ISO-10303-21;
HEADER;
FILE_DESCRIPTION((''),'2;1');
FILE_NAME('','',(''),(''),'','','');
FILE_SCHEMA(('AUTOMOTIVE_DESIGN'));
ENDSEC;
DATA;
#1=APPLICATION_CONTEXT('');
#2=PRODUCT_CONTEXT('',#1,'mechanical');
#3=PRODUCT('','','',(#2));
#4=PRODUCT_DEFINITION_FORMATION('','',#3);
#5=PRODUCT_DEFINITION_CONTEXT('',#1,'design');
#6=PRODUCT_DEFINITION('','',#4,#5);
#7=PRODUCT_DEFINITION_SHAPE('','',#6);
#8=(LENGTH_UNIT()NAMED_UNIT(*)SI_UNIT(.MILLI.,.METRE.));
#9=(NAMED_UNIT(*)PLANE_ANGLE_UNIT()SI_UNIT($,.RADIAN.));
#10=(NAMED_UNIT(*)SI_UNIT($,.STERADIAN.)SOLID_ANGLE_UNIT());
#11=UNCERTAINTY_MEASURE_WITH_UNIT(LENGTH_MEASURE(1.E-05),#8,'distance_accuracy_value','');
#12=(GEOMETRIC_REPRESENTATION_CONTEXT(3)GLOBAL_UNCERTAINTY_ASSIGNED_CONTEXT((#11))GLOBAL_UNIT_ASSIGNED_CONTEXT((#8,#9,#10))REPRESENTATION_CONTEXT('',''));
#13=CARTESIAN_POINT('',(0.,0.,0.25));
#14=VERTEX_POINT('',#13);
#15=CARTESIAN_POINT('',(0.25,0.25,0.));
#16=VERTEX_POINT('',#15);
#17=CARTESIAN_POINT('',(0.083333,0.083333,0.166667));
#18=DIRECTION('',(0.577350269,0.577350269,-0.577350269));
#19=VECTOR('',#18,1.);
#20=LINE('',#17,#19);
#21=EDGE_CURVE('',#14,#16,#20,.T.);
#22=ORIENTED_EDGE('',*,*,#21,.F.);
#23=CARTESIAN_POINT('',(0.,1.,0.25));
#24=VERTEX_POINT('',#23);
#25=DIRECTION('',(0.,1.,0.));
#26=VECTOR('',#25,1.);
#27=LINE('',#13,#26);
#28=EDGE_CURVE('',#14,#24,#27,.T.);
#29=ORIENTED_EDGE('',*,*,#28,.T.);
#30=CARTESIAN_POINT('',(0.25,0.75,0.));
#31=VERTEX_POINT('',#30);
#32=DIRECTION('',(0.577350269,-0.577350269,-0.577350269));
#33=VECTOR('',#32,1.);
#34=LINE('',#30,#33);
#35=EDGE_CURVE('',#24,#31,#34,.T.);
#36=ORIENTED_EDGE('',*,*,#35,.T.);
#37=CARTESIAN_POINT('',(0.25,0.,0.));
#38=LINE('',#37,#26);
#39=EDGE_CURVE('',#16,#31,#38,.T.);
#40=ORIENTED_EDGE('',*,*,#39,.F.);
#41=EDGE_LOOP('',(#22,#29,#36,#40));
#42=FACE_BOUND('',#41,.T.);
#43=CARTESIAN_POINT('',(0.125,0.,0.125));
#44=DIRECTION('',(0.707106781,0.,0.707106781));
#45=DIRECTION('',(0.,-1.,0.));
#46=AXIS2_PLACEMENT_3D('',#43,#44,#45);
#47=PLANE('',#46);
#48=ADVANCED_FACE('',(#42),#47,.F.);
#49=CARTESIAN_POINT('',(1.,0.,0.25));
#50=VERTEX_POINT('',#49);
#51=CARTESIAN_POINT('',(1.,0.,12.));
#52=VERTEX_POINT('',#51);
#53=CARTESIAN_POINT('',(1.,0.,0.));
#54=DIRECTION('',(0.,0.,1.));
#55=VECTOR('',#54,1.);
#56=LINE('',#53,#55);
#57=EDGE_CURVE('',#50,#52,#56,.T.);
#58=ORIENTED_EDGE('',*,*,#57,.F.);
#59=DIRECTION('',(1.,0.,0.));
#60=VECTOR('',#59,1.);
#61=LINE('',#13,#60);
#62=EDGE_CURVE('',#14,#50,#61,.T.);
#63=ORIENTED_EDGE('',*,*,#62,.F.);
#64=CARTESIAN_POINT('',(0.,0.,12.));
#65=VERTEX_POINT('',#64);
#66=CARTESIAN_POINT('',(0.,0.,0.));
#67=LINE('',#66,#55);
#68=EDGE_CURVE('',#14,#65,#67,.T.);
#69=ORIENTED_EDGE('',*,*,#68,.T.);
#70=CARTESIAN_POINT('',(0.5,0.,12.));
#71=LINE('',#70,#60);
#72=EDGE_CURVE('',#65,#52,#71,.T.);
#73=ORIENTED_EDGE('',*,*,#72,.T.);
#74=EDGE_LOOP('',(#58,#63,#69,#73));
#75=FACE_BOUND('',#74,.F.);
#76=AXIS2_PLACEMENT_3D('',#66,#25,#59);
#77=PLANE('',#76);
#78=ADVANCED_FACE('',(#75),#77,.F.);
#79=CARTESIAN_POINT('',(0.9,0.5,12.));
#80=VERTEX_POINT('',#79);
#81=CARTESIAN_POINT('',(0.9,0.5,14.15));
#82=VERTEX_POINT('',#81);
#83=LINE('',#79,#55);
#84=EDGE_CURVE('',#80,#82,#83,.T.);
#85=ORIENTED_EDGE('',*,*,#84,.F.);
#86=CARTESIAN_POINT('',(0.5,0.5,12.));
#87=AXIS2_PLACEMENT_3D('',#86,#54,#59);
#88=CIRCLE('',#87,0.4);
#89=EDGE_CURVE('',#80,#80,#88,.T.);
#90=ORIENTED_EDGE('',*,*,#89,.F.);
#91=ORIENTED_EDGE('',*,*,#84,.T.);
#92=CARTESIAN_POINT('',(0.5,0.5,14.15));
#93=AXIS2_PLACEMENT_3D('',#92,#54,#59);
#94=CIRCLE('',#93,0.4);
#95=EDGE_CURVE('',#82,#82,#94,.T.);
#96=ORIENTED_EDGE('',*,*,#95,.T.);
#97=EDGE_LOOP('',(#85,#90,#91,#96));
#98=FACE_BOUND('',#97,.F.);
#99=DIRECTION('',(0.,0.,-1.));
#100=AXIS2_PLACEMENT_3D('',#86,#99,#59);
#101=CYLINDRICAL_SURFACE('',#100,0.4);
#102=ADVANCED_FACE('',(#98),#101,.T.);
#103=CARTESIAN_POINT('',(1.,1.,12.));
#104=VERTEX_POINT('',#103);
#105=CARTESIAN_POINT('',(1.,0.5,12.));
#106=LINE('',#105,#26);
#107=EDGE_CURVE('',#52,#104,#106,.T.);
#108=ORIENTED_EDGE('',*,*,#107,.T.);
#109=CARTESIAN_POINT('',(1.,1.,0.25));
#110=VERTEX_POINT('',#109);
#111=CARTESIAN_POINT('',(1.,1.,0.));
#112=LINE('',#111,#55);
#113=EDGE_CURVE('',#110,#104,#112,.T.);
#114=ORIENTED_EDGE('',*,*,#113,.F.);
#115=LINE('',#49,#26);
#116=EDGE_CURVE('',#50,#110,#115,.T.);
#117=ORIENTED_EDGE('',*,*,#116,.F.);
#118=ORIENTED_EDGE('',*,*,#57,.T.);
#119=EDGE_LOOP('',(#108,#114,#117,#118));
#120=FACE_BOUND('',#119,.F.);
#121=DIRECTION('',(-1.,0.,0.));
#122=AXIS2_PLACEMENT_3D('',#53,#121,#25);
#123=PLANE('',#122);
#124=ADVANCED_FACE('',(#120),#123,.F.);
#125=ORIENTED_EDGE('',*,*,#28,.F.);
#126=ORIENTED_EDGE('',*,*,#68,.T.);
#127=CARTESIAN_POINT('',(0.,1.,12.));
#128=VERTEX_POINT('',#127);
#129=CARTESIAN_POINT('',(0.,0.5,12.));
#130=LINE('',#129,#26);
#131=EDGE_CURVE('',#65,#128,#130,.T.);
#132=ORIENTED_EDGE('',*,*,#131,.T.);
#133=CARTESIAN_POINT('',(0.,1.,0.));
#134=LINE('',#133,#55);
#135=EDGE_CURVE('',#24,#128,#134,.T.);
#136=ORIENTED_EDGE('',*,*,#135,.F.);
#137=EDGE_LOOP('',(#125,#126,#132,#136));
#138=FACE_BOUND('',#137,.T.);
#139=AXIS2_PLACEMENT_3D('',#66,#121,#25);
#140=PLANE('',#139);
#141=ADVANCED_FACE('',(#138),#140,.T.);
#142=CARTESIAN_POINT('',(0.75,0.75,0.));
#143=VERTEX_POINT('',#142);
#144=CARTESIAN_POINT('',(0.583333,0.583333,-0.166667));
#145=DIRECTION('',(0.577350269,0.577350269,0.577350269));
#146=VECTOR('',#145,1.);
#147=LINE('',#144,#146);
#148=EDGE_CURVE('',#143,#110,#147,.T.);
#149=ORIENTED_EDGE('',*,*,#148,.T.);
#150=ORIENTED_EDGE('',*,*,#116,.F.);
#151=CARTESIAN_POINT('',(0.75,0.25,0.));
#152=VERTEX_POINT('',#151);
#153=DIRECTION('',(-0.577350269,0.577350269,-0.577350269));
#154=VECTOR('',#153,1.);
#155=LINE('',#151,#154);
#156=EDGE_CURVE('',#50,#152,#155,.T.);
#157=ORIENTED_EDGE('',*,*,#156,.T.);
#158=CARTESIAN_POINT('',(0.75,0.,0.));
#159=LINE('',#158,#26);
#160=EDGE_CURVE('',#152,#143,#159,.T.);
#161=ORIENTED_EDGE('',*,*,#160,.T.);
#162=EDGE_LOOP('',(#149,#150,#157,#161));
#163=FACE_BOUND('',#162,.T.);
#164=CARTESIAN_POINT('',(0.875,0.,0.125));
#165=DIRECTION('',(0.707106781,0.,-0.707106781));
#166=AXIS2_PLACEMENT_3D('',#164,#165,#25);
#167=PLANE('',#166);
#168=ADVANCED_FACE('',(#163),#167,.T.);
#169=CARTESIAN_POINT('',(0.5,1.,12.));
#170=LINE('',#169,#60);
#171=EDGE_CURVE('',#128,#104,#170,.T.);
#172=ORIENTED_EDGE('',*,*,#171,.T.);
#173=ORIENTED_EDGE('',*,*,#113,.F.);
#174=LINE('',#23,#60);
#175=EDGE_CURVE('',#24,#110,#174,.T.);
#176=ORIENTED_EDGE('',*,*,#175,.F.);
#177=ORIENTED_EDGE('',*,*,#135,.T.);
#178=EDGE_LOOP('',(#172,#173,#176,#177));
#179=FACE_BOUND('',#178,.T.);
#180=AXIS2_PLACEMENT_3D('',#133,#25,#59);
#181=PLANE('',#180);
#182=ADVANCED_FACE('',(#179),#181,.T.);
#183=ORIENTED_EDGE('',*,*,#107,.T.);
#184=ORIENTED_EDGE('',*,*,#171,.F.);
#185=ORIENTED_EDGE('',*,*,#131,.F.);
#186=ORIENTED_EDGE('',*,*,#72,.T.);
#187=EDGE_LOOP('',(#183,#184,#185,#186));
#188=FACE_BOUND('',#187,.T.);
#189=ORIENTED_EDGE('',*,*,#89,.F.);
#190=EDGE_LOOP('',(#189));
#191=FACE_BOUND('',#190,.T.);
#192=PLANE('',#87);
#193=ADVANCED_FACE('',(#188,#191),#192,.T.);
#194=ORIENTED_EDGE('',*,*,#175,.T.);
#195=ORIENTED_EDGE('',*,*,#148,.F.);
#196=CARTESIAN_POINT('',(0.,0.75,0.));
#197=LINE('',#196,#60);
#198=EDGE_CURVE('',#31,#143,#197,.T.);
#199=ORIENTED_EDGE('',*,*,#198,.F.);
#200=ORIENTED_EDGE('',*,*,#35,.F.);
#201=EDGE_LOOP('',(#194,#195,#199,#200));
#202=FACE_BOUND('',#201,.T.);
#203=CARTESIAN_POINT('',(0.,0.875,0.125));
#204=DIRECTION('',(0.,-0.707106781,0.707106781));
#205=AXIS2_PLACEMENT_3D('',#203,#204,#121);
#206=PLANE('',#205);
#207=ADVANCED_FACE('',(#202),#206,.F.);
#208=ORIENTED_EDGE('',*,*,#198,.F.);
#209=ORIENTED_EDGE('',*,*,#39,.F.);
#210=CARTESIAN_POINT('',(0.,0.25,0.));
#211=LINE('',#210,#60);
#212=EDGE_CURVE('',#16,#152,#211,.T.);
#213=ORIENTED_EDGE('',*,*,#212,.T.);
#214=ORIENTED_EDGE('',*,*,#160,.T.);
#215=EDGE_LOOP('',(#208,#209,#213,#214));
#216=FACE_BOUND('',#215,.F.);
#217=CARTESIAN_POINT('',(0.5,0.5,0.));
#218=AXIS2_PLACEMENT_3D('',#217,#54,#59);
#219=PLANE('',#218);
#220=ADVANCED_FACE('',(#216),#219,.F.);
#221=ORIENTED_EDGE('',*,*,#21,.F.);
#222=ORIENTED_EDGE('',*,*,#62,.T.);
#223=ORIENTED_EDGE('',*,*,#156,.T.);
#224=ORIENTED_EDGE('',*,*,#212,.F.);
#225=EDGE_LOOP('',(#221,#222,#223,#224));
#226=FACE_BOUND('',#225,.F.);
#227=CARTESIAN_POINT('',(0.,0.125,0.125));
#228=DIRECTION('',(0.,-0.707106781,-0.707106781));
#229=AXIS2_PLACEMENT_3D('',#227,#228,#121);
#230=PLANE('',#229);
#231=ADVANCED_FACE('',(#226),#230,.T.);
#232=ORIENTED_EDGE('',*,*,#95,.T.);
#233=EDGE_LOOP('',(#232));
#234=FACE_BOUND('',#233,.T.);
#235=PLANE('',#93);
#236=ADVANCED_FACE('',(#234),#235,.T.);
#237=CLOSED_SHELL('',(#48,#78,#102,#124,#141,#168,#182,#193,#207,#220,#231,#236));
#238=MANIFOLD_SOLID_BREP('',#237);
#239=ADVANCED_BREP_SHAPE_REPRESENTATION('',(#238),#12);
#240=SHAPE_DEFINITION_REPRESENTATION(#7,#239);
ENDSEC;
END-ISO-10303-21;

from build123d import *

# Parameters (mm, degrees)
F0_W     = 1
F0_H     = 1
F1_DEPTH = 12
F2_R     = 0.4
F3_DEPTH = 2.15
F4_SIZE  = 0.25


with BuildPart() as f1:
    # F0 (on Top) → F1 (new body)
    with BuildSketch(Plane.XY):
        with Locations((0.5, 0.5)):
            Rectangle(F0_W, F0_H)
    extrude(amount=F1_DEPTH)

    # F2 (on face) → F3 (join)
    with BuildSketch(Plane.XY.offset(12)):
        with Locations((0.5, 0.5)):
            Circle(F2_R)
    extrude(amount=F3_DEPTH)

    # F4
    f4_edges = [f1.edges().sort_by_distance(p)[0] for p in [
        (0.5, 0, 0),
        (0, 0.5, 0),
        (1, 0.5, 0),
        (0.5, 1, 0),
    ]]
    chamfer(f4_edges, length=F4_SIZE)


solid = f1.part
